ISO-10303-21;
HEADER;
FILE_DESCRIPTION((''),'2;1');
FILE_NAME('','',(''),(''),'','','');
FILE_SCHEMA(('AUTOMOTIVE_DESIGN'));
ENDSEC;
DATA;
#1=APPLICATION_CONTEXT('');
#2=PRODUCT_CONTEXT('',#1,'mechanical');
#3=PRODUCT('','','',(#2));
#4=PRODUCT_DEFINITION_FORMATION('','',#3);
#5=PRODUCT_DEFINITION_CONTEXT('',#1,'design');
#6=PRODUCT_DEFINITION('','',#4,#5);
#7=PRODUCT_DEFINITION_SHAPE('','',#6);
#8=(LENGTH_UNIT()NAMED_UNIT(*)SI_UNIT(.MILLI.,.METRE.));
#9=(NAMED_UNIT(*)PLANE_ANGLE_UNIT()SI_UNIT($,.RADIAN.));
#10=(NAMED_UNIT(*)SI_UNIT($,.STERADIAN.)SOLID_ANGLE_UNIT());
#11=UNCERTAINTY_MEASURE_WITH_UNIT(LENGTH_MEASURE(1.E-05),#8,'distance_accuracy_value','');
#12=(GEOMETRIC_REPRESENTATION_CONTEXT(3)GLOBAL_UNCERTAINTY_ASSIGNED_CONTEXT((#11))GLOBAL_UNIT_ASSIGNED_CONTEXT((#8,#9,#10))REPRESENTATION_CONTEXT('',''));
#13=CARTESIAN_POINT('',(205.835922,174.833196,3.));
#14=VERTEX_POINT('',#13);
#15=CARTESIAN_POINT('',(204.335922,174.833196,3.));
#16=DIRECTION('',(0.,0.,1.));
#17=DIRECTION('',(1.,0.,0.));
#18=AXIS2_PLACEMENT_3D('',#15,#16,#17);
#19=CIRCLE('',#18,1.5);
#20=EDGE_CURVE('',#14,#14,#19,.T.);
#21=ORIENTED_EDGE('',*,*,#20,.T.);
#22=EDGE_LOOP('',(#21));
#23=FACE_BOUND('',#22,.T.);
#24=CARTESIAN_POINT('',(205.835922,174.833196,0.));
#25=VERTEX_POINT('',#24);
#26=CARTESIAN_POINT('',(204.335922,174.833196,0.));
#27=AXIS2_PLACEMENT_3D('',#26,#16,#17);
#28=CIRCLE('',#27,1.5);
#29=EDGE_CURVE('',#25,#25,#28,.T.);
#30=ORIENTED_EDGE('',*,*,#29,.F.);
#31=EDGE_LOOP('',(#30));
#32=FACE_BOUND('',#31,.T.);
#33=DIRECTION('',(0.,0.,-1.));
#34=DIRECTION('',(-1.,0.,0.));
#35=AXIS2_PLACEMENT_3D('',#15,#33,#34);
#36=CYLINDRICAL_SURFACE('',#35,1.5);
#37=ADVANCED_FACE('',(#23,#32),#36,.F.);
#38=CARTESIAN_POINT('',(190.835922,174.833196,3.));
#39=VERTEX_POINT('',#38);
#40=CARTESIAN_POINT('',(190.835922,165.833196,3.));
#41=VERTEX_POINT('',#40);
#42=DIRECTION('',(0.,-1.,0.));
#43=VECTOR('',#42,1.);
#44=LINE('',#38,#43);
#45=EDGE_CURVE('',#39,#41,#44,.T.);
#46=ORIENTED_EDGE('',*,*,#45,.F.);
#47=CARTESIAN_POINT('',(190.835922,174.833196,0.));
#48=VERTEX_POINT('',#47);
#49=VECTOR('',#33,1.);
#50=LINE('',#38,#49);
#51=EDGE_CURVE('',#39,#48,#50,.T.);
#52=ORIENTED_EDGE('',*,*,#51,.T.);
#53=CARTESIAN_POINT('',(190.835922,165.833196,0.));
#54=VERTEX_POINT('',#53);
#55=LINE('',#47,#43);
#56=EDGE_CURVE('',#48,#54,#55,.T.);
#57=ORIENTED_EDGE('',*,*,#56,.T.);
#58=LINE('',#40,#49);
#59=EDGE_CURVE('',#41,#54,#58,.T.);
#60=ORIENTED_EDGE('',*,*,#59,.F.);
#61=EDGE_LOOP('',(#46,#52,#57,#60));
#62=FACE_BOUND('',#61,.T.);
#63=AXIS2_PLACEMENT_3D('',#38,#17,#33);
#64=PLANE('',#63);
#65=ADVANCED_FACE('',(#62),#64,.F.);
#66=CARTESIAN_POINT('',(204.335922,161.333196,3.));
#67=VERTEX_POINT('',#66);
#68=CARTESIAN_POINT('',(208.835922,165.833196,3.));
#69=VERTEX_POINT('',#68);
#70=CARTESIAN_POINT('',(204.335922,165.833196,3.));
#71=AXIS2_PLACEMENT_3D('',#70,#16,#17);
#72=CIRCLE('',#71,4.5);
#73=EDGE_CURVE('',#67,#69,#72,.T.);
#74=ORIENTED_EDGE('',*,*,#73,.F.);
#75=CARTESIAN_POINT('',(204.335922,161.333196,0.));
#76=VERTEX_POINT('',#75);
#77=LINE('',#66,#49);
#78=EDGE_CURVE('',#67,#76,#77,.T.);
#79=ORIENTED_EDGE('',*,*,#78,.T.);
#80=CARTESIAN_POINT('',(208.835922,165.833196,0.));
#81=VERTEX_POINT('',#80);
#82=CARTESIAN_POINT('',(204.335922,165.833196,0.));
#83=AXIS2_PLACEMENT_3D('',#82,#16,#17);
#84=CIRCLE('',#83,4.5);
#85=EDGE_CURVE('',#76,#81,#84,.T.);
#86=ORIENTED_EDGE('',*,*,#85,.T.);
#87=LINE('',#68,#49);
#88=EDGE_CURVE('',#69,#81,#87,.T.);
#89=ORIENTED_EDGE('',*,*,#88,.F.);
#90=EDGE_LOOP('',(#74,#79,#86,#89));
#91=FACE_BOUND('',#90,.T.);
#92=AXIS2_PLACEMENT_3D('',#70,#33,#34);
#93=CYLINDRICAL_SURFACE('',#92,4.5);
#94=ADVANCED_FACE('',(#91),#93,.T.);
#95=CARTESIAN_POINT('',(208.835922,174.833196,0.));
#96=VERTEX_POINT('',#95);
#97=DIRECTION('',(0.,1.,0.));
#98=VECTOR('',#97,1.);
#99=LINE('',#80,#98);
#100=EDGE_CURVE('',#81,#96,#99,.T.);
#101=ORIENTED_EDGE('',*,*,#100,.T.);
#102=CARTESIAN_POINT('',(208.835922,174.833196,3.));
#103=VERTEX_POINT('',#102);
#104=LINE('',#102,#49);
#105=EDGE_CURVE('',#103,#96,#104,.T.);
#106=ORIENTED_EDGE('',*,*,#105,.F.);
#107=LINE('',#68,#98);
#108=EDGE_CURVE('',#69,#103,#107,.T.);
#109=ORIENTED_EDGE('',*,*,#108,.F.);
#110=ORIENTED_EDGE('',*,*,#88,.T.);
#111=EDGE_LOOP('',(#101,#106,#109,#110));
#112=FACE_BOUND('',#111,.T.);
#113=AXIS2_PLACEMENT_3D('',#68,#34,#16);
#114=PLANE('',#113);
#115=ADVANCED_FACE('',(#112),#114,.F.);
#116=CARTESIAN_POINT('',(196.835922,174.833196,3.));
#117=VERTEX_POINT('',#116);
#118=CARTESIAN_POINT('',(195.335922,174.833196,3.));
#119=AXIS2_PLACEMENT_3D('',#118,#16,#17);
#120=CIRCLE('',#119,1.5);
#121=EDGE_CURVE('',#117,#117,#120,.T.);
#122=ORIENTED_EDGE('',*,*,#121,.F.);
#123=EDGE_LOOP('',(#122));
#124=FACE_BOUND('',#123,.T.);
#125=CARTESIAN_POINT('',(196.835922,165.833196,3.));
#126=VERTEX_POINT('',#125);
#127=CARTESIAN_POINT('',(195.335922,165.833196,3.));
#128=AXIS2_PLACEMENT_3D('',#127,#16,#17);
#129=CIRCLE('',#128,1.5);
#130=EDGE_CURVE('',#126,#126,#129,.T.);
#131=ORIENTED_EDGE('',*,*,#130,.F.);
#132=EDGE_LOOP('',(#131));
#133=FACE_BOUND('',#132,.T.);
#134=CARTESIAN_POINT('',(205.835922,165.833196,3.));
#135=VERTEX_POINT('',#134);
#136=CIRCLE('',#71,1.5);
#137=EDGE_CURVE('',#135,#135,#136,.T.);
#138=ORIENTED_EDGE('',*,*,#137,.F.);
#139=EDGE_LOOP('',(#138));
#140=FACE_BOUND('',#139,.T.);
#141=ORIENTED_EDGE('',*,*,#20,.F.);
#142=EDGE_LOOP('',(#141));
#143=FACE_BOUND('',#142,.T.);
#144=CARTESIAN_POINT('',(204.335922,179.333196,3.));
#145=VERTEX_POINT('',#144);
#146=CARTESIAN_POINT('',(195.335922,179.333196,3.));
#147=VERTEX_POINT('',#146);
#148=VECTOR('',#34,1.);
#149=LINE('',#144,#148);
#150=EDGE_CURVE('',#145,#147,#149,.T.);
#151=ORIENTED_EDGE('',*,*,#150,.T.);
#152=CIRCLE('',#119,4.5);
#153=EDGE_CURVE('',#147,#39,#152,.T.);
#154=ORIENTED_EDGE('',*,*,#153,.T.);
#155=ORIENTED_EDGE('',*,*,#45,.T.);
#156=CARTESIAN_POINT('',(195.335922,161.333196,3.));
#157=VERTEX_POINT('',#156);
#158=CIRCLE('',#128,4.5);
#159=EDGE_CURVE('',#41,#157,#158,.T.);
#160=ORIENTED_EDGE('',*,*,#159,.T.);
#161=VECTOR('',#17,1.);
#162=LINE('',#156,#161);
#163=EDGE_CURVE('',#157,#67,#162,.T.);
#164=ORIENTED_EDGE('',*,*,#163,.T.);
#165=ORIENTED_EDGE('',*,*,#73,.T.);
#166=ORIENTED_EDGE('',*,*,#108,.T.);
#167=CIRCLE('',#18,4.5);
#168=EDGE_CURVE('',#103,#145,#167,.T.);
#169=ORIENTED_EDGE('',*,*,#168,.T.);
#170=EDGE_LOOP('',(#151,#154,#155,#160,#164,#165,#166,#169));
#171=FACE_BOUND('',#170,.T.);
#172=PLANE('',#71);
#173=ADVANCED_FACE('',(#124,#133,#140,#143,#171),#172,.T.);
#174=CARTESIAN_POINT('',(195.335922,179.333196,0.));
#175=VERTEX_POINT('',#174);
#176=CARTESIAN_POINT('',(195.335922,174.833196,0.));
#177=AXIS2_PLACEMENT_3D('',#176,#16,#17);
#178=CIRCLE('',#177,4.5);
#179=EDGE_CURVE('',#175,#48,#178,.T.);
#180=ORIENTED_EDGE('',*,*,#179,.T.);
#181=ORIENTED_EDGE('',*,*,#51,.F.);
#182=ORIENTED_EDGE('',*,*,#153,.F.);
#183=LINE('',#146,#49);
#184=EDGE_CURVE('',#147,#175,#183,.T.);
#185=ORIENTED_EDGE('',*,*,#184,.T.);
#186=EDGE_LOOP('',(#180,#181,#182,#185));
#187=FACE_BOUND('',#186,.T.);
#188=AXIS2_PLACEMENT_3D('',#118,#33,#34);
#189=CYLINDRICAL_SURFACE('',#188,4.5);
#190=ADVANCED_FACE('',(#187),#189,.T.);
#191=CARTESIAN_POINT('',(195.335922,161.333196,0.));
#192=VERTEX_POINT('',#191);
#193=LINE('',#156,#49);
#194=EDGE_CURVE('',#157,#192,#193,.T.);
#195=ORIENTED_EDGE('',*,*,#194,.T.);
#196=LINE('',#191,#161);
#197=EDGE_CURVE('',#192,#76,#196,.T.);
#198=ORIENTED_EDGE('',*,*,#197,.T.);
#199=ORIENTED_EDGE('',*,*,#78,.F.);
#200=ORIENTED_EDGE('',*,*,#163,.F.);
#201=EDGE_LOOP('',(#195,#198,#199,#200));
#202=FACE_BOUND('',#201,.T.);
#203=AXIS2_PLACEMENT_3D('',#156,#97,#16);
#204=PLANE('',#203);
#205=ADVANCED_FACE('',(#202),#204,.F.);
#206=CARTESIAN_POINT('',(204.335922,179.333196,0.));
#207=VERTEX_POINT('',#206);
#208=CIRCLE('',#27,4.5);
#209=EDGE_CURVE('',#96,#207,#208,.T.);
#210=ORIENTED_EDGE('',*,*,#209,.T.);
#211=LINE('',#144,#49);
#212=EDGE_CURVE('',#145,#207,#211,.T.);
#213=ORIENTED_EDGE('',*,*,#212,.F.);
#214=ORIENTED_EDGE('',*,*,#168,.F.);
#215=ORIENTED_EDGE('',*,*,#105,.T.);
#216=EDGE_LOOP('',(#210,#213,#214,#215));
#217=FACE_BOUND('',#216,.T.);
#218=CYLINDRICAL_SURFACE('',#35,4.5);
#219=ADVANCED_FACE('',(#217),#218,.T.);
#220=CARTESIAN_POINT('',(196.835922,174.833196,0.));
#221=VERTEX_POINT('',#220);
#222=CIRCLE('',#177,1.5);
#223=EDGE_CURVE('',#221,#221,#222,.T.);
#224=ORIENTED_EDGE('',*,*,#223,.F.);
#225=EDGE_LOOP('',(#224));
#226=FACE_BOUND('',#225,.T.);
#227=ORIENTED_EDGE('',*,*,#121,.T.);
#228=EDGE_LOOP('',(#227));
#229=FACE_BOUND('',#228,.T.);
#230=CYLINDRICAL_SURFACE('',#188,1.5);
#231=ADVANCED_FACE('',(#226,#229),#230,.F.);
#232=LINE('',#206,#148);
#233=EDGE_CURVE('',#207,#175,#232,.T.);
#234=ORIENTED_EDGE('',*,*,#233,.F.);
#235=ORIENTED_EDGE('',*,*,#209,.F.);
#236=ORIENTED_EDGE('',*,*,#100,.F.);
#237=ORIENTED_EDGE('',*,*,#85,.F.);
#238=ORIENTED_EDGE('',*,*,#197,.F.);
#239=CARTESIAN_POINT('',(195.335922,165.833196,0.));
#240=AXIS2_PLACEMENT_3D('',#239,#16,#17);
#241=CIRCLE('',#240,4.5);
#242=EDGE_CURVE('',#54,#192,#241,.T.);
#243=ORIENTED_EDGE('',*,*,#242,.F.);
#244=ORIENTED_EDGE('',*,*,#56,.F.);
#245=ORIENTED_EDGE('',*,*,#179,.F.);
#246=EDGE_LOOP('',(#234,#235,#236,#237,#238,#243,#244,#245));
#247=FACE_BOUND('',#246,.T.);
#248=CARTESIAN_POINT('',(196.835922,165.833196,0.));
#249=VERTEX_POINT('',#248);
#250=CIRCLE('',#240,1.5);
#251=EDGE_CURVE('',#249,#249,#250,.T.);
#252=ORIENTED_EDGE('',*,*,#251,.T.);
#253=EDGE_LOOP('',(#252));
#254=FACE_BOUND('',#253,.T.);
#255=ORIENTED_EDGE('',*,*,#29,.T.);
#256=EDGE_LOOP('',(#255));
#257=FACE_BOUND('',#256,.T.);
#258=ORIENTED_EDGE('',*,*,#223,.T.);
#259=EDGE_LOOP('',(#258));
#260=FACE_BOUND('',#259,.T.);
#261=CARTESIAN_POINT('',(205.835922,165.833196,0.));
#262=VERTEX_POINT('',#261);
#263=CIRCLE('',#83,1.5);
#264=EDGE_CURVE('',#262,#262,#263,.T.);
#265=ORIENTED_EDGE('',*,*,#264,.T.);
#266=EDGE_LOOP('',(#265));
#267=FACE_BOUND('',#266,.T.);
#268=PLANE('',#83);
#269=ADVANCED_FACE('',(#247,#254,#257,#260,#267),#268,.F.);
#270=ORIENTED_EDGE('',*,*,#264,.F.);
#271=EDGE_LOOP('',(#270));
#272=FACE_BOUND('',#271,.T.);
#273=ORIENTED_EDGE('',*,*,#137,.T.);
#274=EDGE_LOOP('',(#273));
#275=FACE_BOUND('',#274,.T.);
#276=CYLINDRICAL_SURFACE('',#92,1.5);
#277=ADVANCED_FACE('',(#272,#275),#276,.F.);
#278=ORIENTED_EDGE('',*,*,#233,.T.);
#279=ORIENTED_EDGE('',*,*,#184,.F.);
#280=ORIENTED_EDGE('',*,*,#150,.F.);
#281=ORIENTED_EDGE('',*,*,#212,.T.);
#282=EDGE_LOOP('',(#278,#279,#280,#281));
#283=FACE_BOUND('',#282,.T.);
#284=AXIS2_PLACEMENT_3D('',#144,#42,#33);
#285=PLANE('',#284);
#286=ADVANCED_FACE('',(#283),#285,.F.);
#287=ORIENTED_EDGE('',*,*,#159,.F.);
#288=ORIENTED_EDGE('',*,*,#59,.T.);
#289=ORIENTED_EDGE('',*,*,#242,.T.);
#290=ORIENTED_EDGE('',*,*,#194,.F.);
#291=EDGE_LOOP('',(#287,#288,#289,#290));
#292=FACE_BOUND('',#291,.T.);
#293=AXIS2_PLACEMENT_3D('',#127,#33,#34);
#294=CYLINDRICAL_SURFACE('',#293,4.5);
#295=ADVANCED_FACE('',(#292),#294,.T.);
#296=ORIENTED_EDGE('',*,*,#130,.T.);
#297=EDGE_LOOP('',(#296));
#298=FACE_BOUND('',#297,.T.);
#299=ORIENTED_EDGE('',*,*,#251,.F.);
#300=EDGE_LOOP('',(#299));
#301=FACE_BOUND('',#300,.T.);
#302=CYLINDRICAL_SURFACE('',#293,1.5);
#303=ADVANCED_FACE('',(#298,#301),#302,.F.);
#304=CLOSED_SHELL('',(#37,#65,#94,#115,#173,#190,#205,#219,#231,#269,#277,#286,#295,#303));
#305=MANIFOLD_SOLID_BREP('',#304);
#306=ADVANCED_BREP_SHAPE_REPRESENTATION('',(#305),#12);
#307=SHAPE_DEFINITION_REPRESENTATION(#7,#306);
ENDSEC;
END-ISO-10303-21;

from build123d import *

# Parameters (mm, degrees)
MODEL_R                 = 1.5
SALIENTE_EXTRUIR1_DEPTH = 3


with BuildPart() as part:
    # Model → Saliente-Extruir1 (new body)
    with BuildSketch(Plane.XY):
        with BuildLine():
            Line((195.335922194, 161.333196305), (204.335922194, 161.333196305))
            ThreePointArc((204.335922194, 161.333196305), (207.517902709, 162.651215789), (208.835922194, 165.833196305))
            Line((208.835922194, 165.833196305), (208.835922194, 174.833196305))
            ThreePointArc((208.835922194, 174.833196305), (207.517902709, 178.01517682), (204.335922194, 179.333196305))
            Line((204.335922194, 179.333196305), (195.335922194, 179.333196305))
            ThreePointArc((195.335922194, 179.333196305), (192.153941678, 178.01517682), (190.835922194, 174.833196305))
            Line((190.835922194, 174.833196305), (190.835922194, 165.833196305))
            ThreePointArc((190.835922194, 165.833196305), (192.153941678, 162.651215789), (195.335922194, 161.333196305))
        make_face()
        with Locations((195.335922194, 174.833196305)):
            Circle(MODEL_R, mode=Mode.SUBTRACT)
        with Locations((195.335922194, 165.833196305)):
            Circle(MODEL_R, mode=Mode.SUBTRACT)
        with Locations((204.335922194, 174.833196305)):
            Circle(MODEL_R, mode=Mode.SUBTRACT)
        with Locations((204.335922194, 165.833196305)):
            Circle(MODEL_R, mode=Mode.SUBTRACT)
    extrude(amount=SALIENTE_EXTRUIR1_DEPTH)


solid = part.part
